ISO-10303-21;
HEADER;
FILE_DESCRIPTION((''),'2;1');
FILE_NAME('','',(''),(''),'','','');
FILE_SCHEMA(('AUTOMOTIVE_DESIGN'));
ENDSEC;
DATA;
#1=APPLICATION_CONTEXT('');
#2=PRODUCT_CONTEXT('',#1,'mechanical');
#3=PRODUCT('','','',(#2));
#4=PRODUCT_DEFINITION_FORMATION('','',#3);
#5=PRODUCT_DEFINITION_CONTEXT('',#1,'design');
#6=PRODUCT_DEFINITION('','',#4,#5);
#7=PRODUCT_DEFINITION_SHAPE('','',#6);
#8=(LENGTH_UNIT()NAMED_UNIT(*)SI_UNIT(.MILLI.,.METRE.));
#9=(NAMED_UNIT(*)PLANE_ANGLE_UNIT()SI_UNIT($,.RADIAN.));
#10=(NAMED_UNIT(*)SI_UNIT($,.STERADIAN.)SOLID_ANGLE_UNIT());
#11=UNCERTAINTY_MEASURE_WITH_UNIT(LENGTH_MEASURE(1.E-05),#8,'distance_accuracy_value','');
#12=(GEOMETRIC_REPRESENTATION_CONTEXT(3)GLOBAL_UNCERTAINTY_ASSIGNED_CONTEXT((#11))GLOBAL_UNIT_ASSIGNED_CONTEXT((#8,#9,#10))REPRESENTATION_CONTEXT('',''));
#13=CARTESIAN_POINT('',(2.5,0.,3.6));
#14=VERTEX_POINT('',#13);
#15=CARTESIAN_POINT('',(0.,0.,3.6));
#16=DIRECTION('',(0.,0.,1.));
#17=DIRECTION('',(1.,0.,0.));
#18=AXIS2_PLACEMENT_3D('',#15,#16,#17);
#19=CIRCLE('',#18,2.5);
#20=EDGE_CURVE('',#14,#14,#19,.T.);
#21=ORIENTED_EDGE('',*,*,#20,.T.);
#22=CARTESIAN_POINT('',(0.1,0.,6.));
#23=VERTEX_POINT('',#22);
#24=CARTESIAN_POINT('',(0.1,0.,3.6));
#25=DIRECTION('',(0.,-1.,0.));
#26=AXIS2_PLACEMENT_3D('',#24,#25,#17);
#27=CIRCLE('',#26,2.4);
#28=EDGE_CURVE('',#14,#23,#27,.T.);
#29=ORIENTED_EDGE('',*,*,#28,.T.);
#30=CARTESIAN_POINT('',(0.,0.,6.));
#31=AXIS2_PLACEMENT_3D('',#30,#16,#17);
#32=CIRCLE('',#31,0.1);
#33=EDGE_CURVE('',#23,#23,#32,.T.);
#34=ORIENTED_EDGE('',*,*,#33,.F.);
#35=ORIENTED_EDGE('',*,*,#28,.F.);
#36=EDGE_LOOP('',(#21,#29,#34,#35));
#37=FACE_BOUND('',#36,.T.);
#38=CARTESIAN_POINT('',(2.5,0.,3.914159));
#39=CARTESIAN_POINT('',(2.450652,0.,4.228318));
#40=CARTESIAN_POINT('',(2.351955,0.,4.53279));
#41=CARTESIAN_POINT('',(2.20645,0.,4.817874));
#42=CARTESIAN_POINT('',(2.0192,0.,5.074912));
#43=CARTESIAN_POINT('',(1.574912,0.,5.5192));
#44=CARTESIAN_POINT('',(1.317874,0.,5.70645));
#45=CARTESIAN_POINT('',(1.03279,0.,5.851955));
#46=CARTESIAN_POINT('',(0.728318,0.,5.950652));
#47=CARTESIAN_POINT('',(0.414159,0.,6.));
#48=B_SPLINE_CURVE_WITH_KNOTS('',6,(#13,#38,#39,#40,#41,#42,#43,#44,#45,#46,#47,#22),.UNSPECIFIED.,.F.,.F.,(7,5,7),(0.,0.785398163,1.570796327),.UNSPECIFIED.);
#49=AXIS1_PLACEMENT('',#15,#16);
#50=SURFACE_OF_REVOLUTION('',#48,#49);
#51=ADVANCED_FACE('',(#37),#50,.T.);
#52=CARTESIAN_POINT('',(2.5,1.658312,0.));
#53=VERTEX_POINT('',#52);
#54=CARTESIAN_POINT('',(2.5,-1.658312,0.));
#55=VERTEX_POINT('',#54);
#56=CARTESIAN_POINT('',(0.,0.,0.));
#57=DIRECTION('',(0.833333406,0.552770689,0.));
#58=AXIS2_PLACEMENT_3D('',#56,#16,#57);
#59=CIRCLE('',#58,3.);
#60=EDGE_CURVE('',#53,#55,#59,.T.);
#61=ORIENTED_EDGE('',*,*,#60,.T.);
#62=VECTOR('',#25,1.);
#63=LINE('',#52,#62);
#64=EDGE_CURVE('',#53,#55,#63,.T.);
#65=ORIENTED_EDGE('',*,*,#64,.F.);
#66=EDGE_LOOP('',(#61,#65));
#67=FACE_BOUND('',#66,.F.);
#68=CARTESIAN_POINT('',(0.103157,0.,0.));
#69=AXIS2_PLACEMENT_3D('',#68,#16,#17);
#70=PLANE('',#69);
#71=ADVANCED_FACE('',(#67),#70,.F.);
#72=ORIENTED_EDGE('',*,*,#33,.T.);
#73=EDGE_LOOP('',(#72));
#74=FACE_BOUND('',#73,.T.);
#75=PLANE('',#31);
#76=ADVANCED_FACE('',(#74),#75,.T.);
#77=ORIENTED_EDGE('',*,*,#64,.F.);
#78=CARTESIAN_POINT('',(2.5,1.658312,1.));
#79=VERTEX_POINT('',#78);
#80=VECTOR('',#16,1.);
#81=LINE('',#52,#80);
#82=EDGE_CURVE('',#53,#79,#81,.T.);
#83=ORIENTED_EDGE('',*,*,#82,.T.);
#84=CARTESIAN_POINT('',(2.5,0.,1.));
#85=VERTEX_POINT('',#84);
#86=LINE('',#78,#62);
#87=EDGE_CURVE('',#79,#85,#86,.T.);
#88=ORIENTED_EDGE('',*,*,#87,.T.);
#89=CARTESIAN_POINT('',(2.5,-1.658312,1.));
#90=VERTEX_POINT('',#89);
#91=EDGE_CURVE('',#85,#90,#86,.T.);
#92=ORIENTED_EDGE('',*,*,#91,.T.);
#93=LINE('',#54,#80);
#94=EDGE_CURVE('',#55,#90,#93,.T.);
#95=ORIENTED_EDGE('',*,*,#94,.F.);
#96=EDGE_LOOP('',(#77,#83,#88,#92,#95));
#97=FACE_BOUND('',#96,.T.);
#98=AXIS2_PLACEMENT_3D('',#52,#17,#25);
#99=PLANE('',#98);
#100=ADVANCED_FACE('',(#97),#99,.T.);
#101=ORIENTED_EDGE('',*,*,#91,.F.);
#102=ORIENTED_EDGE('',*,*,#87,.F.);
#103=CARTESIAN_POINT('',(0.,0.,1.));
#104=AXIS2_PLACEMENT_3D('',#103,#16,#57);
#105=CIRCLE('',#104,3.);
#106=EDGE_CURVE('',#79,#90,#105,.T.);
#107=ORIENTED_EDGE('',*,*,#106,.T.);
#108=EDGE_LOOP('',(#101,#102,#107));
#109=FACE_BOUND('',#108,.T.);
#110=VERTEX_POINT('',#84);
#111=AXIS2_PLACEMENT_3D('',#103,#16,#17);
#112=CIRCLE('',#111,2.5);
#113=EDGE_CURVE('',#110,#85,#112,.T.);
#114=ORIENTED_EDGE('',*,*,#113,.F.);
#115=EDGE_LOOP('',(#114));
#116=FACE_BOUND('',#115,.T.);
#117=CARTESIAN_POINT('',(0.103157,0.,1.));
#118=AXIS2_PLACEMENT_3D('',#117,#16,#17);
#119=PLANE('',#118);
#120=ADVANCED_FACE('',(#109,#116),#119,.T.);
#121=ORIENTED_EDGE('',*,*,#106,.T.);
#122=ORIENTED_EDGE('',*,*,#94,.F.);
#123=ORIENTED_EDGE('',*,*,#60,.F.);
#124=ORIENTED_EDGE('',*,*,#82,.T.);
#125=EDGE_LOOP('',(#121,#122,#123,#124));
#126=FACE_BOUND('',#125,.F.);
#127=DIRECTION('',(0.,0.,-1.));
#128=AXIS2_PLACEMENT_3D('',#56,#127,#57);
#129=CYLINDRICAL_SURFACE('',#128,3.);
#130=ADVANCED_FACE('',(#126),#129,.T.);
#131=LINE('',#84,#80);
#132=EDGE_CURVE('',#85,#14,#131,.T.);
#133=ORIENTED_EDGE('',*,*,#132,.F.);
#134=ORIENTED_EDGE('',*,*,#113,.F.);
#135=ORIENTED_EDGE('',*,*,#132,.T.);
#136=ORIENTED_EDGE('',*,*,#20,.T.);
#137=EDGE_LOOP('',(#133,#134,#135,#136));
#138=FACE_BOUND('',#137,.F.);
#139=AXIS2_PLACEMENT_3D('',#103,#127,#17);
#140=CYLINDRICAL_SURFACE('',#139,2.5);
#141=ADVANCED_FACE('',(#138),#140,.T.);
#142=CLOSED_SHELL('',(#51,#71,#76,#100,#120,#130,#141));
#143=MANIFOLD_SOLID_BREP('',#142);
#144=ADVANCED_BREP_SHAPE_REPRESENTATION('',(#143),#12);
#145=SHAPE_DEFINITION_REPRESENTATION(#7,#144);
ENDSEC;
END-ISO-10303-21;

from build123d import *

# Parameters (mm, degrees)
EXTRUDE_SKETCH001_DEPTH = 1
SKETCH002_R             = 2.5
EXTRUDE_SKETCH002_DEPTH = 5
FILLET_R                = 2.4


with BuildPart() as sketch001_extrude:
    # Sketch001 → Extrude_Sketch001 (new body)
    with BuildSketch(Plane.XY):
        with BuildLine():
            ThreePointArc((2.5, 1.658312), (-3, 0), (2.5, -1.658312))
            Line((2.5, 1.658312), (2.5, -1.658312))
        make_face()
    extrude(amount=EXTRUDE_SKETCH001_DEPTH)


with BuildPart() as fusion:
    # Sketch002 → Extrude_Sketch002 (new body)
    with BuildSketch(Plane.XY.offset(1)):
        Circle(SKETCH002_R)
    extrude(amount=EXTRUDE_SKETCH002_DEPTH)

    # Fillet
    fillet_edges = [fusion.edges().sort_by_distance(p)[0] for p in [
        (-2.5, 0, 6),
    ]]
    fillet(fillet_edges, radius=FILLET_R)

    # Fusion: union Sketch001_Extrude
    add(sketch001_extrude.part)


solid = fusion.part
